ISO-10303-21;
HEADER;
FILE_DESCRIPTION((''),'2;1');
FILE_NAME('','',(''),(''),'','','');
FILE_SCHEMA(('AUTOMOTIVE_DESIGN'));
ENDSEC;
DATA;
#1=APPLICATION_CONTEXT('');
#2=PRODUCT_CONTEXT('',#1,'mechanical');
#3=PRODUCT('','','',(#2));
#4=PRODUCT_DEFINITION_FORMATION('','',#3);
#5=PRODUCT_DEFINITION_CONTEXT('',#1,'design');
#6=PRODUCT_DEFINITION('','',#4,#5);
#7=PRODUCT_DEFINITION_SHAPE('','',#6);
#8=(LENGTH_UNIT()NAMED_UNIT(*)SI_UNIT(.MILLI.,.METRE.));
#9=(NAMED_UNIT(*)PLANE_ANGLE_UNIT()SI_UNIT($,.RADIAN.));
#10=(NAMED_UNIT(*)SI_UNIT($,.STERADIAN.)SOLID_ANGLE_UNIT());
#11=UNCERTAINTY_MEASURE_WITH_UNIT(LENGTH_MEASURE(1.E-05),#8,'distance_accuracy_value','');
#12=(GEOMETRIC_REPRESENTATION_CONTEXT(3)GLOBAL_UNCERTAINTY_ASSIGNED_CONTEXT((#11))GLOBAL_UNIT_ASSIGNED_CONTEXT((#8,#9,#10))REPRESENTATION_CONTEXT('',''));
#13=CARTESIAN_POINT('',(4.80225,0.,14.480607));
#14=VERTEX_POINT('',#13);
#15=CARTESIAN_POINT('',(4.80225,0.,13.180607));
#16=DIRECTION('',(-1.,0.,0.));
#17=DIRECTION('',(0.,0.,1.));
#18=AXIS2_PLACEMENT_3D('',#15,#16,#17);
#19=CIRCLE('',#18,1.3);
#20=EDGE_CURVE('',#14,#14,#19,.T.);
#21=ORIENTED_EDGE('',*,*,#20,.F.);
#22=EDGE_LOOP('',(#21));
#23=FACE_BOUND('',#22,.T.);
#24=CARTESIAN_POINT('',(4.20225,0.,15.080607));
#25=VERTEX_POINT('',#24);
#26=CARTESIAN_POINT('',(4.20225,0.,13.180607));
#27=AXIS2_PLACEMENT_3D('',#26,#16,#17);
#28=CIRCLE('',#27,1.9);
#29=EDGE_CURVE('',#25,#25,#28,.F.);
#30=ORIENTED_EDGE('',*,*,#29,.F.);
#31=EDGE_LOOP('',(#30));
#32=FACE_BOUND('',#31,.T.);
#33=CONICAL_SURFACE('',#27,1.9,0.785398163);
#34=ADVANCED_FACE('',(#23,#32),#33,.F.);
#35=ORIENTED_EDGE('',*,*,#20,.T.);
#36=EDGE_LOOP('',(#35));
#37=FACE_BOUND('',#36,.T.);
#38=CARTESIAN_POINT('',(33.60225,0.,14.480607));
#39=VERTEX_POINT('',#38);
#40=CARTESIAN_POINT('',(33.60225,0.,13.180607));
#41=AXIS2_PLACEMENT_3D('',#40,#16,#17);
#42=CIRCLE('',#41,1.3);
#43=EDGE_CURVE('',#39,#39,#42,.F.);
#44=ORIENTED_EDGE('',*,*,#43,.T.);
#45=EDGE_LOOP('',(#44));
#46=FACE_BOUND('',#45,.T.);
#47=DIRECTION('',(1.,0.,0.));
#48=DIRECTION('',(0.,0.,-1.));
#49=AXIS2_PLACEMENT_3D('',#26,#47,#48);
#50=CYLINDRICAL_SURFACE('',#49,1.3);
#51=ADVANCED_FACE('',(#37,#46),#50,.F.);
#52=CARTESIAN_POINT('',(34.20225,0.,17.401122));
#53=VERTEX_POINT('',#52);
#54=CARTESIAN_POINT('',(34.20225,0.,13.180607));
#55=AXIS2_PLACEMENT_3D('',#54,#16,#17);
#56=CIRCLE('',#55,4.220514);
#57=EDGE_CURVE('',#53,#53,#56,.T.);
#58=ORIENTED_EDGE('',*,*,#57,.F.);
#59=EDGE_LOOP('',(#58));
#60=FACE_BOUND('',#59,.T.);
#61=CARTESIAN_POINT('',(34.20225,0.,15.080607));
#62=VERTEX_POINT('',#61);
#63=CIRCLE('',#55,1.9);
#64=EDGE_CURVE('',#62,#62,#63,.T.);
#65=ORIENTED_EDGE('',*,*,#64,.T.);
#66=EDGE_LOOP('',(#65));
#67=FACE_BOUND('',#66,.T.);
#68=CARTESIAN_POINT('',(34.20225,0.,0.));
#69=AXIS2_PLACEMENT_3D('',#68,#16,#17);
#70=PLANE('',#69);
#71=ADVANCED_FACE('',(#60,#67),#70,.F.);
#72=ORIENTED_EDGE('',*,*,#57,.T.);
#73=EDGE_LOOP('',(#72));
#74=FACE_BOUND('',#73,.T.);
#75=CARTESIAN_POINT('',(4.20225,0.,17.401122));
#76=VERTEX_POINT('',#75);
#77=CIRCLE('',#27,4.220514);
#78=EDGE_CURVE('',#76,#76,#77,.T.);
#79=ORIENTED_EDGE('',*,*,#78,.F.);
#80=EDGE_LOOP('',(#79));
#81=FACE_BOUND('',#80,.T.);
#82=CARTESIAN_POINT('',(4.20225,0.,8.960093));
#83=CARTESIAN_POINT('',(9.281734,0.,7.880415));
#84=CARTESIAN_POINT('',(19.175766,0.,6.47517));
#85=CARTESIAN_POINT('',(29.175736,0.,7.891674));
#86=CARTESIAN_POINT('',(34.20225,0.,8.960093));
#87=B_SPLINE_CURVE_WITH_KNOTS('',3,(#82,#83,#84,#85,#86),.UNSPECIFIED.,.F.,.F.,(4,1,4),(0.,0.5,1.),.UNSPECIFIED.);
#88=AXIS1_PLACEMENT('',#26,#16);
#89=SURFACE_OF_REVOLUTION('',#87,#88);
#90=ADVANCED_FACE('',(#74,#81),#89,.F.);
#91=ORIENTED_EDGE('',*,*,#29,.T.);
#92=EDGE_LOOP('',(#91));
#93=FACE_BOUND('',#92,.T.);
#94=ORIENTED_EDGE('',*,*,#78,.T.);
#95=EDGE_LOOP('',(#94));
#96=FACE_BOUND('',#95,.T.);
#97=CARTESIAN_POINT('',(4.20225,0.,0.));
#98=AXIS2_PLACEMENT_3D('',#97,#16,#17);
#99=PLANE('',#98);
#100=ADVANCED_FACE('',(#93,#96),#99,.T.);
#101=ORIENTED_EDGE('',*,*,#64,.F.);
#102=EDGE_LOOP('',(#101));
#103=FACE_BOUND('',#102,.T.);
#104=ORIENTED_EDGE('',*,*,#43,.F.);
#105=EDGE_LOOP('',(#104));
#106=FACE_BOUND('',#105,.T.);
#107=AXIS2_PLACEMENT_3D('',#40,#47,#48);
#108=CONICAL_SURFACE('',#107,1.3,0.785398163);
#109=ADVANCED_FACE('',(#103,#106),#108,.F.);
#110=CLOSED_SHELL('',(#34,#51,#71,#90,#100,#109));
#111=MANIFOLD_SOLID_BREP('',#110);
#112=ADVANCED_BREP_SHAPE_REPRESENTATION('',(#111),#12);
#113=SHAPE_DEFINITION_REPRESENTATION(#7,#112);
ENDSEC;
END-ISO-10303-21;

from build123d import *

# Parameters (mm, degrees)
SKETCH_2_R          = 1.3
CUT_EXTRUDE_1_DEPTH = 37.109501957
CHAMFER_1_SIZE      = 0.6


with BuildPart() as part:
    # 草图1 → 旋转1 (revolve)
    with BuildSketch(Plane(origin=(0, 0, 0), x_dir=(1, 0, 0), z_dir=(0, 1, 0))):
        with BuildLine():
            Line((4.202250373, -8.960092976), (4.202250373, -13.180607295))
            Line((4.202250373, -13.180607295), (34.202250373, -13.180607295))
            Line((34.202250373, -13.180607295), (34.202250373, -8.960092976))
            add(Edge.make_bspline(
                [(4.202250373, -8.960092976), (9.281734141, -7.880415372), (19.175765631, -6.475169713), (29.17573609, -7.891674383), (34.202250373, -8.960092976)],
                knots=[0, 0, 0, 0, 0.5, 1, 1, 1, 1], degree=3))
        make_face()
    revolve(axis=Axis((4.202250373, 0, 13.180607295), (1, 0, 0)))

    # 草图2 → 切除-拉伸1 (cut, through all)
    with BuildSketch(Plane(origin=(34.202250373, 0, 0), x_dir=(0, 0, -1), z_dir=(1, 0, 0))):
        with Locations((-13.180607295, 0)):
            Circle(SKETCH_2_R)
    extrude(amount=-CUT_EXTRUDE_1_DEPTH, mode=Mode.SUBTRACT)

    # 倒角1
    chamfer_1_edges = [part.edges().sort_by_distance(p)[0] for p in [
        (4.202250373, 0, 14.480607295),
        (34.202250373, 0, 14.480607295),
    ]]
    chamfer(chamfer_1_edges, length=CHAMFER_1_SIZE)


solid = part.part
